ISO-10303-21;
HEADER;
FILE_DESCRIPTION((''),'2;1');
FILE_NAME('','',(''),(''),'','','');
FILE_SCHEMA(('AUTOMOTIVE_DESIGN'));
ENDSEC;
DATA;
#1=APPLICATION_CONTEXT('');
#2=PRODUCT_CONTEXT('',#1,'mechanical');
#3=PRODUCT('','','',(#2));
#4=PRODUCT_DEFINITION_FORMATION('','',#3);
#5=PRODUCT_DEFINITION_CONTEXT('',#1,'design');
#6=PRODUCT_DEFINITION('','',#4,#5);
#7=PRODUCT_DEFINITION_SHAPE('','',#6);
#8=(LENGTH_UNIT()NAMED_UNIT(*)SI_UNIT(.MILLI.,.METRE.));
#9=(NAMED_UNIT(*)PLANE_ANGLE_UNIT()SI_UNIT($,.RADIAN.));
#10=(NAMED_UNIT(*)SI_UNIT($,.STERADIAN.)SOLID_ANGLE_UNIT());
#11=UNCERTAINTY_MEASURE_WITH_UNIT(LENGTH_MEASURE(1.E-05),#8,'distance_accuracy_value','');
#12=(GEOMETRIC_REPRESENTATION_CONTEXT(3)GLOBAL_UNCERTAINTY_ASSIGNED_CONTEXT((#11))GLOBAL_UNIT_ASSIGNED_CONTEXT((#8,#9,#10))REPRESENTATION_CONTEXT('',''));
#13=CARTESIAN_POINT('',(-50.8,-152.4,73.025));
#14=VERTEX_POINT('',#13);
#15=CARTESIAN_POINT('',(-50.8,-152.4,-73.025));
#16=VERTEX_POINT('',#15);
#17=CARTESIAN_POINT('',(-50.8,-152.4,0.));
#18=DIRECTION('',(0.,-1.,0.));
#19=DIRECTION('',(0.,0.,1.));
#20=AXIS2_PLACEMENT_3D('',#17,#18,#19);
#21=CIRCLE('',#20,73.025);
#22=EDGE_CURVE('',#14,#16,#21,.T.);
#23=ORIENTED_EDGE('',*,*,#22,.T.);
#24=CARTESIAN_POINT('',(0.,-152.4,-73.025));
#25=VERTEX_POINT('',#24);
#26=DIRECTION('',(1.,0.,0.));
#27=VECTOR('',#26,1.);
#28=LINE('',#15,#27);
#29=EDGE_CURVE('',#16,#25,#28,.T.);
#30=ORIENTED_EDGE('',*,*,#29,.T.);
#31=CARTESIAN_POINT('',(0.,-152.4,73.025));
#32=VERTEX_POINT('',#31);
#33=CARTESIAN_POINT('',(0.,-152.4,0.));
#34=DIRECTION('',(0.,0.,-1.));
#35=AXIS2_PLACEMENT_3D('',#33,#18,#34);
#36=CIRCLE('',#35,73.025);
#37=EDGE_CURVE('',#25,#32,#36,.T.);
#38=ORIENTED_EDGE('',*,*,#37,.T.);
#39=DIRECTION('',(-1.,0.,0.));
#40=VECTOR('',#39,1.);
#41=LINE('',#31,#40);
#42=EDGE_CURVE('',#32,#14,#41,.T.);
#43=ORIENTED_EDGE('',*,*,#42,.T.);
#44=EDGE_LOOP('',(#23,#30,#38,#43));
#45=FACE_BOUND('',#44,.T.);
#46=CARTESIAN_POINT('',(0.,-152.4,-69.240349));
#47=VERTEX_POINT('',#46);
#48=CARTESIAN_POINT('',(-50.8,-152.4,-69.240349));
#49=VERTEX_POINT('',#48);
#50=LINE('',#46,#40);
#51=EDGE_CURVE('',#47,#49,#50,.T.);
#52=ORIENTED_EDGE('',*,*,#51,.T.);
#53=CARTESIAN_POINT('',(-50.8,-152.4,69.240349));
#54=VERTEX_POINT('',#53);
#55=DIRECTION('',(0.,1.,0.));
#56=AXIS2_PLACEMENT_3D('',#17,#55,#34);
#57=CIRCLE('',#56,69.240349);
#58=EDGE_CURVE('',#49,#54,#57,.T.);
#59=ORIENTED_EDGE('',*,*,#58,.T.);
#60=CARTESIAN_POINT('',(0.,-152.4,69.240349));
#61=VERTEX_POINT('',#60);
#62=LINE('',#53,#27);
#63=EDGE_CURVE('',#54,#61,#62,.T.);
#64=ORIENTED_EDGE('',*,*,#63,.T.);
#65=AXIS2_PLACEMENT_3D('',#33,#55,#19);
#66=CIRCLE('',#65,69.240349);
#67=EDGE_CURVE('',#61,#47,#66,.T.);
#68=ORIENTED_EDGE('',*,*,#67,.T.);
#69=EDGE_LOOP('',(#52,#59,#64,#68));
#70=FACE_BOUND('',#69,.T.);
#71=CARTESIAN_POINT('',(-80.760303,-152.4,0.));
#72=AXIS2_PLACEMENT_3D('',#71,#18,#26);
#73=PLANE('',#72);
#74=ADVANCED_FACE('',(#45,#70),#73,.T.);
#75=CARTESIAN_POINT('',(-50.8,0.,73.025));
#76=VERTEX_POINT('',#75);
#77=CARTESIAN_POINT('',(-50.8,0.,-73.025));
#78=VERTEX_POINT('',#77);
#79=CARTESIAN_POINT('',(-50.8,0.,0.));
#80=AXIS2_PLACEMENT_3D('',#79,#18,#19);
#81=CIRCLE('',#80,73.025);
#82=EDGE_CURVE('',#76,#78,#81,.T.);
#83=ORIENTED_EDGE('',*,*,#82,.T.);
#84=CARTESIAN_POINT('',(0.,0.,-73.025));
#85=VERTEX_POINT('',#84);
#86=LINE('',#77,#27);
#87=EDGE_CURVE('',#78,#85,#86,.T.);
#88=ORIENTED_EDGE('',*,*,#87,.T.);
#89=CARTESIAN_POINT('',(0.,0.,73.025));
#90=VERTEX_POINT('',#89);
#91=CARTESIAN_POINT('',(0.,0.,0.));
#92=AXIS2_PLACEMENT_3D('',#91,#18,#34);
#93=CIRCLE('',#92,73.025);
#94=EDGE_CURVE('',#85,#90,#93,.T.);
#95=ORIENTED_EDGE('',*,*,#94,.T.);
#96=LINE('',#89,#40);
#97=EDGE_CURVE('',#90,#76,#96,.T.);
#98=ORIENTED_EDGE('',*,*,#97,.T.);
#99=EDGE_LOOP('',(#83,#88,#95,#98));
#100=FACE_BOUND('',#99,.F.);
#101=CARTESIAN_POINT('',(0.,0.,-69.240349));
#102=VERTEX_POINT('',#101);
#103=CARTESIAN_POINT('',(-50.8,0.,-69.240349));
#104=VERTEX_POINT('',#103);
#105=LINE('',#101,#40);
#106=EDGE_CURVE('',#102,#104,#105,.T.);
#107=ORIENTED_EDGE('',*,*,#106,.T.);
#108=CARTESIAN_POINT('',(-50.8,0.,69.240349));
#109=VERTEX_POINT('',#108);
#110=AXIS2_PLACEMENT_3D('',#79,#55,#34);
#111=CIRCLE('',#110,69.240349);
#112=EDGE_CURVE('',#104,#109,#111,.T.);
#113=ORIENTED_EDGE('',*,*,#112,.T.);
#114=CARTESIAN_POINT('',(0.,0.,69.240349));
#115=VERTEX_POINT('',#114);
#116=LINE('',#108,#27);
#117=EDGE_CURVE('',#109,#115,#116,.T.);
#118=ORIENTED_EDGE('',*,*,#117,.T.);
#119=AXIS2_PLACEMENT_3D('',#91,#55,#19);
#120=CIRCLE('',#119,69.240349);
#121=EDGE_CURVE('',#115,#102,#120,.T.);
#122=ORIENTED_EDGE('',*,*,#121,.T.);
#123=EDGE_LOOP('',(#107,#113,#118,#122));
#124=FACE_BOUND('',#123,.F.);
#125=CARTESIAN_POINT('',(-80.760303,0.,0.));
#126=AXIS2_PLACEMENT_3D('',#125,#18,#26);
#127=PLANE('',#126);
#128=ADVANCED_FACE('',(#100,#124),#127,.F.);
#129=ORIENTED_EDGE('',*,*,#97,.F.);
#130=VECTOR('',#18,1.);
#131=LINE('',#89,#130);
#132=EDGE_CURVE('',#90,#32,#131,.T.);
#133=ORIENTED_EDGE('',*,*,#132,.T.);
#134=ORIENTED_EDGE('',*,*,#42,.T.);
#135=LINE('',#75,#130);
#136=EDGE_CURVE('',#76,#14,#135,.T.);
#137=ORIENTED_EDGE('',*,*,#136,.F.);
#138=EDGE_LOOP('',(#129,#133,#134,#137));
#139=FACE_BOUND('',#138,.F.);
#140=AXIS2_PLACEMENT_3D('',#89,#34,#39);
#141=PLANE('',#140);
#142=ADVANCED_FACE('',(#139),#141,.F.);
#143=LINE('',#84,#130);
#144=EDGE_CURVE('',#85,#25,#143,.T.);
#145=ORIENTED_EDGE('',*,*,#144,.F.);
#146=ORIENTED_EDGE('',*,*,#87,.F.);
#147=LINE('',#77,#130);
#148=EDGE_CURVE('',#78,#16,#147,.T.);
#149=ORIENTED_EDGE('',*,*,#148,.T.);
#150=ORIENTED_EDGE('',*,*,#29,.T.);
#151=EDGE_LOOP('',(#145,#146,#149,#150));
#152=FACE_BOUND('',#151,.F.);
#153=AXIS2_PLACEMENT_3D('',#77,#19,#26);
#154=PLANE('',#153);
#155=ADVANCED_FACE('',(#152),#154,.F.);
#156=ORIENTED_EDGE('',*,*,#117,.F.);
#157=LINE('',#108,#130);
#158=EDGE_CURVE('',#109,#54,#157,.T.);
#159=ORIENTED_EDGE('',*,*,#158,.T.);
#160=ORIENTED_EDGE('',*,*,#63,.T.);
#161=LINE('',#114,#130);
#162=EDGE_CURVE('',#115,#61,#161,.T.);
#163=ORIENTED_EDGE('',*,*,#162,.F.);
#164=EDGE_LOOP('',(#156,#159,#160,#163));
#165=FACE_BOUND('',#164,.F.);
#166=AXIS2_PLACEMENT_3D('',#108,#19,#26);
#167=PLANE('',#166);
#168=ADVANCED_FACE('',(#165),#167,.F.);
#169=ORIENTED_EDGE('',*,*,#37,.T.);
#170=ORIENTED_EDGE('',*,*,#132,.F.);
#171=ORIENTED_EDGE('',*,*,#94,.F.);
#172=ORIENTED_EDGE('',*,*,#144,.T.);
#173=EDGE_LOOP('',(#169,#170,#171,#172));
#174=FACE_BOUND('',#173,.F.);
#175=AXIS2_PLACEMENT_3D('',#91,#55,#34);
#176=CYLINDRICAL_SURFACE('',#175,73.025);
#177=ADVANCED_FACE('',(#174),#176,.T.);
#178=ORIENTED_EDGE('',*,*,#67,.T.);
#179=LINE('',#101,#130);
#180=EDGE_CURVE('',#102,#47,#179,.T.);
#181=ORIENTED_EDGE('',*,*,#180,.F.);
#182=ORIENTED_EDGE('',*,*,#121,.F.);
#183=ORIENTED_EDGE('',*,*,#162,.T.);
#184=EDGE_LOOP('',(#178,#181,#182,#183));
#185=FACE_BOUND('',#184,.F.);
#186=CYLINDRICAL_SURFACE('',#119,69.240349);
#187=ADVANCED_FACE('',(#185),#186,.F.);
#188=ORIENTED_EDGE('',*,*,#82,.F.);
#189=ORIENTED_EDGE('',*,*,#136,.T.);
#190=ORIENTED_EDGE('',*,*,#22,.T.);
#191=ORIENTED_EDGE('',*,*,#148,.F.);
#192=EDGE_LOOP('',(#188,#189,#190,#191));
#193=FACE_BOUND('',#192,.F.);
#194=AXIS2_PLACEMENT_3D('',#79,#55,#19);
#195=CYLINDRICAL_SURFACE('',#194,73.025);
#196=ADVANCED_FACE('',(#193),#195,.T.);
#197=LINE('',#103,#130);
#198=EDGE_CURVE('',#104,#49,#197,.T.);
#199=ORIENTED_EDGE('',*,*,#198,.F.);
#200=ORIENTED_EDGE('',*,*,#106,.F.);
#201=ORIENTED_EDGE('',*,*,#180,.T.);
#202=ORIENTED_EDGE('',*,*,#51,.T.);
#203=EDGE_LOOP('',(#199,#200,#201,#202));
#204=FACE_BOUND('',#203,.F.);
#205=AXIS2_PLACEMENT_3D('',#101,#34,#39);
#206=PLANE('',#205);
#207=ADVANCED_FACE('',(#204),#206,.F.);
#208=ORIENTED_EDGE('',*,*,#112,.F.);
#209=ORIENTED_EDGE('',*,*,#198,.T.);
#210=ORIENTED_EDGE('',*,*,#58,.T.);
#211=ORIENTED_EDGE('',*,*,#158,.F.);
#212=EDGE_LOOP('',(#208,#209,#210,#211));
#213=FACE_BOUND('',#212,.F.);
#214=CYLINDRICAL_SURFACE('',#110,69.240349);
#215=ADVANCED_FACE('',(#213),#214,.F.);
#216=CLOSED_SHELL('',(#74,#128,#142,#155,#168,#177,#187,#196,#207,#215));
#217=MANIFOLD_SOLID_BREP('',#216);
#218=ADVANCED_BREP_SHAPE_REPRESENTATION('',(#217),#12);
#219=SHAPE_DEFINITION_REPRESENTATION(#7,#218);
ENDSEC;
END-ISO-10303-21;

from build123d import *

# Parameters (mm, degrees)
F1_DEPTH = 152.4


with BuildPart() as f1:
    # F0 (on Front) → F1 (new body)
    with BuildSketch(Plane.XZ):
        with BuildLine():
            Line((-50.8, -73.025), (-25.4, -73.025))
            Line((-25.4, -73.025), (-25.4, -69.240349))
            Line((-25.4, -69.240349), (-50.8, -69.240349))
            ThreePointArc((-50.8, -69.240349), (-120.040349, 0), (-50.8, 69.240349))
            Line((-50.8, 69.240349), (-25.4, 69.240349))
            Line((-25.4, 69.240349), (-25.4, 73.025))
            Line((-25.4, 73.025), (-50.8, 73.025))
            ThreePointArc((-50.8, 73.025), (-123.825, 0), (-50.8, -73.025))
        make_face()
        with BuildLine():
            Line((-25.4, -73.025), (0, -73.025))
            ThreePointArc((0, -73.025), (73.025, 0), (0, 73.025))
            Line((0, 73.025), (-25.4, 73.025))
            Line((-25.4, 73.025), (-25.4, 69.240349))
            Line((-25.4, 69.240349), (0, 69.240349))
            ThreePointArc((0, 69.240349), (69.240349, 0), (0, -69.240349))
            Line((0, -69.240349), (-25.4, -69.240349))
            Line((-25.4, -69.240349), (-25.4, -73.025))
        make_face()
    extrude(amount=F1_DEPTH)


solid = f1.part
